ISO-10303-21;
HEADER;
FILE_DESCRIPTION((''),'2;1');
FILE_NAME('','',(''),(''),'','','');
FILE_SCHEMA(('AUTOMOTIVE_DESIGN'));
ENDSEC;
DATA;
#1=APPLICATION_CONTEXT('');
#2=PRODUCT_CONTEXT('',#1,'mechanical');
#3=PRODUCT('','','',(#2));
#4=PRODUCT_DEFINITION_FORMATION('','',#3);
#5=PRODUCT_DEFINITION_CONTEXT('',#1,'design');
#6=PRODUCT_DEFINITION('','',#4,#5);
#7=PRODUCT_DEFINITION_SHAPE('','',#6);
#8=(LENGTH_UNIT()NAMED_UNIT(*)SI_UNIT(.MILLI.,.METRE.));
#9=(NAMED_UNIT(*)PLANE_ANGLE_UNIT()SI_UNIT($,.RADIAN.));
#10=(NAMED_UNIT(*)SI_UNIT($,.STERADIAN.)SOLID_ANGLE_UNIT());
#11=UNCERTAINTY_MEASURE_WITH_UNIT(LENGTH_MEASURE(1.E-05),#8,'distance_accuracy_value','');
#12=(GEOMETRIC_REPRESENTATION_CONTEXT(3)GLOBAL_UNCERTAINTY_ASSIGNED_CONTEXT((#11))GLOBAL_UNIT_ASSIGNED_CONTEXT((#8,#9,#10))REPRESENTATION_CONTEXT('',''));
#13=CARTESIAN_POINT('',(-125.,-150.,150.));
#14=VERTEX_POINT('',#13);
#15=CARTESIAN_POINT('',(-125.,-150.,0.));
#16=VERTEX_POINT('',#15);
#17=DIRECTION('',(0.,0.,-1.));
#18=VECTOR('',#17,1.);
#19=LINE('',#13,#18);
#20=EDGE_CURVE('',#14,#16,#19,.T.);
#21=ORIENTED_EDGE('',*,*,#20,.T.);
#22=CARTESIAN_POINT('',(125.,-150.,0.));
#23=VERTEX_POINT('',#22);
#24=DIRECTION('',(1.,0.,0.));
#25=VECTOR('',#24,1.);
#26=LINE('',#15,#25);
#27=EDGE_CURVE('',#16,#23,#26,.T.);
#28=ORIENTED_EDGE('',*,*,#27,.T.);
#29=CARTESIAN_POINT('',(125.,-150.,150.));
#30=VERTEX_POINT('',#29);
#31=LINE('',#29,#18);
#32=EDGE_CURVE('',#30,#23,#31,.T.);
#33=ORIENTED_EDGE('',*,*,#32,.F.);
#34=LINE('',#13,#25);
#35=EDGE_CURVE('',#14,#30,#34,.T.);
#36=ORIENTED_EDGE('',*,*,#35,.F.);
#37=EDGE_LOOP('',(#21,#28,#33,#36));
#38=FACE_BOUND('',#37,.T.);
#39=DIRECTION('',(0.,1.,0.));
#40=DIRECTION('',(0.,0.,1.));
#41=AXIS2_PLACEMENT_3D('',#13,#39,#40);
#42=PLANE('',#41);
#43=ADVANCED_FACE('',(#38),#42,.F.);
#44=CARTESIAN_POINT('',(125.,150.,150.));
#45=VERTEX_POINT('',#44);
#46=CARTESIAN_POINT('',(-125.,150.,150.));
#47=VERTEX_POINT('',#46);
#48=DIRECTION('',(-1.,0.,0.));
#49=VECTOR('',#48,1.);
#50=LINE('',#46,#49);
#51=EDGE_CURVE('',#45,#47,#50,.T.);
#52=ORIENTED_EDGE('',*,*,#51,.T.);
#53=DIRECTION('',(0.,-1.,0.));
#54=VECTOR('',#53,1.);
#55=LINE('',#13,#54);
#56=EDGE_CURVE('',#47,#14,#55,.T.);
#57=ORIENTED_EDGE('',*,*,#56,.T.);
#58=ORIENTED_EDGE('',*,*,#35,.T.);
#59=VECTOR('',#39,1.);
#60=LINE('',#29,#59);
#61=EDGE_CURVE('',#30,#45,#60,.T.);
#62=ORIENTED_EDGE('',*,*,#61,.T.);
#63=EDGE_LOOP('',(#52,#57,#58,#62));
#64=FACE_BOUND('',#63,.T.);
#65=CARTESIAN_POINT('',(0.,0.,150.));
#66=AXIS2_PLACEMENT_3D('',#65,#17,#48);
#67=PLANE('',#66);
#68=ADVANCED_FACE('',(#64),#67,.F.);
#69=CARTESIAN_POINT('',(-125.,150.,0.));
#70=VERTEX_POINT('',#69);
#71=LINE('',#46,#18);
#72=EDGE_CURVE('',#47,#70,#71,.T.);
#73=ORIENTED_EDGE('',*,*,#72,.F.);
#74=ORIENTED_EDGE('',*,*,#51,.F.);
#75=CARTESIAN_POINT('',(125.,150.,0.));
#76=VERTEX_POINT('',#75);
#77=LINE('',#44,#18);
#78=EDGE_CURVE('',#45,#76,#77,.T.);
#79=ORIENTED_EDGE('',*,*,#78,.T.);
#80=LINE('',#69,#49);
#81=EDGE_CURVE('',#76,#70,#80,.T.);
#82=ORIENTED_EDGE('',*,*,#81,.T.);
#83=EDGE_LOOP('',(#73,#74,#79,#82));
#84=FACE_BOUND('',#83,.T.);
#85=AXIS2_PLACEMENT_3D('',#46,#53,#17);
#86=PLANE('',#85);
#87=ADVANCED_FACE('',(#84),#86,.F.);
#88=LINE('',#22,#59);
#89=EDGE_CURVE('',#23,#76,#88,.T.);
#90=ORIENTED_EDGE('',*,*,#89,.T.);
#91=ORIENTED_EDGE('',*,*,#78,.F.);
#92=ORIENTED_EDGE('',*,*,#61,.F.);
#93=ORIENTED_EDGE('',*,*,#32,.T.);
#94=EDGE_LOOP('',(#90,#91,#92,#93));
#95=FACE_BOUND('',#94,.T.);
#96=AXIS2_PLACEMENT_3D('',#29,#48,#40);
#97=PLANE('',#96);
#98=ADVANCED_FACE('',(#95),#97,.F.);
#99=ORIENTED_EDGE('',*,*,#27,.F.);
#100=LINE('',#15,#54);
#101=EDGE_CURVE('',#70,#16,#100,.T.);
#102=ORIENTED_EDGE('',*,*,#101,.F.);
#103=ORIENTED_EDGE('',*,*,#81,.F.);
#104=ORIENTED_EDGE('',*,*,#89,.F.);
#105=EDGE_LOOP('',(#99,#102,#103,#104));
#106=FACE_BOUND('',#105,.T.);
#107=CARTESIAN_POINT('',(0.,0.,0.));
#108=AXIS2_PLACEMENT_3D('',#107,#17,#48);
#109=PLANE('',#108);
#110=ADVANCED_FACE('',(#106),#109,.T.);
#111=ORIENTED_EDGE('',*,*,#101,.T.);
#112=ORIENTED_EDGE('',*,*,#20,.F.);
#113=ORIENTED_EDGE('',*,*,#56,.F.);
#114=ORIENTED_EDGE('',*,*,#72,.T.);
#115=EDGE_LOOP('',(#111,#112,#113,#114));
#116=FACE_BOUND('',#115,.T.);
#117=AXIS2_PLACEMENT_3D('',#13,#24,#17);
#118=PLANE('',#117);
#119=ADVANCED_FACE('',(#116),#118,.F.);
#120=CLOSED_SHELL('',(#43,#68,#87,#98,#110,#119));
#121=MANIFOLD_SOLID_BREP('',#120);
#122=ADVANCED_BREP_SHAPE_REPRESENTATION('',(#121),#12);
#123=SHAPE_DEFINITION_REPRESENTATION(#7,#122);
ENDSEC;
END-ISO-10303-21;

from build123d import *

# Parameters (mm, degrees)
SKETCH1_W           = 250
SKETCH1_H           = 300
BOSS_EXTRUDE1_DEPTH = 150


with BuildPart() as part:
    # Sketch1 → Boss-Extrude1 (new body)
    with BuildSketch(Plane.XY):
        Rectangle(SKETCH1_W, SKETCH1_H)
    extrude(amount=BOSS_EXTRUDE1_DEPTH)


solid = part.part
